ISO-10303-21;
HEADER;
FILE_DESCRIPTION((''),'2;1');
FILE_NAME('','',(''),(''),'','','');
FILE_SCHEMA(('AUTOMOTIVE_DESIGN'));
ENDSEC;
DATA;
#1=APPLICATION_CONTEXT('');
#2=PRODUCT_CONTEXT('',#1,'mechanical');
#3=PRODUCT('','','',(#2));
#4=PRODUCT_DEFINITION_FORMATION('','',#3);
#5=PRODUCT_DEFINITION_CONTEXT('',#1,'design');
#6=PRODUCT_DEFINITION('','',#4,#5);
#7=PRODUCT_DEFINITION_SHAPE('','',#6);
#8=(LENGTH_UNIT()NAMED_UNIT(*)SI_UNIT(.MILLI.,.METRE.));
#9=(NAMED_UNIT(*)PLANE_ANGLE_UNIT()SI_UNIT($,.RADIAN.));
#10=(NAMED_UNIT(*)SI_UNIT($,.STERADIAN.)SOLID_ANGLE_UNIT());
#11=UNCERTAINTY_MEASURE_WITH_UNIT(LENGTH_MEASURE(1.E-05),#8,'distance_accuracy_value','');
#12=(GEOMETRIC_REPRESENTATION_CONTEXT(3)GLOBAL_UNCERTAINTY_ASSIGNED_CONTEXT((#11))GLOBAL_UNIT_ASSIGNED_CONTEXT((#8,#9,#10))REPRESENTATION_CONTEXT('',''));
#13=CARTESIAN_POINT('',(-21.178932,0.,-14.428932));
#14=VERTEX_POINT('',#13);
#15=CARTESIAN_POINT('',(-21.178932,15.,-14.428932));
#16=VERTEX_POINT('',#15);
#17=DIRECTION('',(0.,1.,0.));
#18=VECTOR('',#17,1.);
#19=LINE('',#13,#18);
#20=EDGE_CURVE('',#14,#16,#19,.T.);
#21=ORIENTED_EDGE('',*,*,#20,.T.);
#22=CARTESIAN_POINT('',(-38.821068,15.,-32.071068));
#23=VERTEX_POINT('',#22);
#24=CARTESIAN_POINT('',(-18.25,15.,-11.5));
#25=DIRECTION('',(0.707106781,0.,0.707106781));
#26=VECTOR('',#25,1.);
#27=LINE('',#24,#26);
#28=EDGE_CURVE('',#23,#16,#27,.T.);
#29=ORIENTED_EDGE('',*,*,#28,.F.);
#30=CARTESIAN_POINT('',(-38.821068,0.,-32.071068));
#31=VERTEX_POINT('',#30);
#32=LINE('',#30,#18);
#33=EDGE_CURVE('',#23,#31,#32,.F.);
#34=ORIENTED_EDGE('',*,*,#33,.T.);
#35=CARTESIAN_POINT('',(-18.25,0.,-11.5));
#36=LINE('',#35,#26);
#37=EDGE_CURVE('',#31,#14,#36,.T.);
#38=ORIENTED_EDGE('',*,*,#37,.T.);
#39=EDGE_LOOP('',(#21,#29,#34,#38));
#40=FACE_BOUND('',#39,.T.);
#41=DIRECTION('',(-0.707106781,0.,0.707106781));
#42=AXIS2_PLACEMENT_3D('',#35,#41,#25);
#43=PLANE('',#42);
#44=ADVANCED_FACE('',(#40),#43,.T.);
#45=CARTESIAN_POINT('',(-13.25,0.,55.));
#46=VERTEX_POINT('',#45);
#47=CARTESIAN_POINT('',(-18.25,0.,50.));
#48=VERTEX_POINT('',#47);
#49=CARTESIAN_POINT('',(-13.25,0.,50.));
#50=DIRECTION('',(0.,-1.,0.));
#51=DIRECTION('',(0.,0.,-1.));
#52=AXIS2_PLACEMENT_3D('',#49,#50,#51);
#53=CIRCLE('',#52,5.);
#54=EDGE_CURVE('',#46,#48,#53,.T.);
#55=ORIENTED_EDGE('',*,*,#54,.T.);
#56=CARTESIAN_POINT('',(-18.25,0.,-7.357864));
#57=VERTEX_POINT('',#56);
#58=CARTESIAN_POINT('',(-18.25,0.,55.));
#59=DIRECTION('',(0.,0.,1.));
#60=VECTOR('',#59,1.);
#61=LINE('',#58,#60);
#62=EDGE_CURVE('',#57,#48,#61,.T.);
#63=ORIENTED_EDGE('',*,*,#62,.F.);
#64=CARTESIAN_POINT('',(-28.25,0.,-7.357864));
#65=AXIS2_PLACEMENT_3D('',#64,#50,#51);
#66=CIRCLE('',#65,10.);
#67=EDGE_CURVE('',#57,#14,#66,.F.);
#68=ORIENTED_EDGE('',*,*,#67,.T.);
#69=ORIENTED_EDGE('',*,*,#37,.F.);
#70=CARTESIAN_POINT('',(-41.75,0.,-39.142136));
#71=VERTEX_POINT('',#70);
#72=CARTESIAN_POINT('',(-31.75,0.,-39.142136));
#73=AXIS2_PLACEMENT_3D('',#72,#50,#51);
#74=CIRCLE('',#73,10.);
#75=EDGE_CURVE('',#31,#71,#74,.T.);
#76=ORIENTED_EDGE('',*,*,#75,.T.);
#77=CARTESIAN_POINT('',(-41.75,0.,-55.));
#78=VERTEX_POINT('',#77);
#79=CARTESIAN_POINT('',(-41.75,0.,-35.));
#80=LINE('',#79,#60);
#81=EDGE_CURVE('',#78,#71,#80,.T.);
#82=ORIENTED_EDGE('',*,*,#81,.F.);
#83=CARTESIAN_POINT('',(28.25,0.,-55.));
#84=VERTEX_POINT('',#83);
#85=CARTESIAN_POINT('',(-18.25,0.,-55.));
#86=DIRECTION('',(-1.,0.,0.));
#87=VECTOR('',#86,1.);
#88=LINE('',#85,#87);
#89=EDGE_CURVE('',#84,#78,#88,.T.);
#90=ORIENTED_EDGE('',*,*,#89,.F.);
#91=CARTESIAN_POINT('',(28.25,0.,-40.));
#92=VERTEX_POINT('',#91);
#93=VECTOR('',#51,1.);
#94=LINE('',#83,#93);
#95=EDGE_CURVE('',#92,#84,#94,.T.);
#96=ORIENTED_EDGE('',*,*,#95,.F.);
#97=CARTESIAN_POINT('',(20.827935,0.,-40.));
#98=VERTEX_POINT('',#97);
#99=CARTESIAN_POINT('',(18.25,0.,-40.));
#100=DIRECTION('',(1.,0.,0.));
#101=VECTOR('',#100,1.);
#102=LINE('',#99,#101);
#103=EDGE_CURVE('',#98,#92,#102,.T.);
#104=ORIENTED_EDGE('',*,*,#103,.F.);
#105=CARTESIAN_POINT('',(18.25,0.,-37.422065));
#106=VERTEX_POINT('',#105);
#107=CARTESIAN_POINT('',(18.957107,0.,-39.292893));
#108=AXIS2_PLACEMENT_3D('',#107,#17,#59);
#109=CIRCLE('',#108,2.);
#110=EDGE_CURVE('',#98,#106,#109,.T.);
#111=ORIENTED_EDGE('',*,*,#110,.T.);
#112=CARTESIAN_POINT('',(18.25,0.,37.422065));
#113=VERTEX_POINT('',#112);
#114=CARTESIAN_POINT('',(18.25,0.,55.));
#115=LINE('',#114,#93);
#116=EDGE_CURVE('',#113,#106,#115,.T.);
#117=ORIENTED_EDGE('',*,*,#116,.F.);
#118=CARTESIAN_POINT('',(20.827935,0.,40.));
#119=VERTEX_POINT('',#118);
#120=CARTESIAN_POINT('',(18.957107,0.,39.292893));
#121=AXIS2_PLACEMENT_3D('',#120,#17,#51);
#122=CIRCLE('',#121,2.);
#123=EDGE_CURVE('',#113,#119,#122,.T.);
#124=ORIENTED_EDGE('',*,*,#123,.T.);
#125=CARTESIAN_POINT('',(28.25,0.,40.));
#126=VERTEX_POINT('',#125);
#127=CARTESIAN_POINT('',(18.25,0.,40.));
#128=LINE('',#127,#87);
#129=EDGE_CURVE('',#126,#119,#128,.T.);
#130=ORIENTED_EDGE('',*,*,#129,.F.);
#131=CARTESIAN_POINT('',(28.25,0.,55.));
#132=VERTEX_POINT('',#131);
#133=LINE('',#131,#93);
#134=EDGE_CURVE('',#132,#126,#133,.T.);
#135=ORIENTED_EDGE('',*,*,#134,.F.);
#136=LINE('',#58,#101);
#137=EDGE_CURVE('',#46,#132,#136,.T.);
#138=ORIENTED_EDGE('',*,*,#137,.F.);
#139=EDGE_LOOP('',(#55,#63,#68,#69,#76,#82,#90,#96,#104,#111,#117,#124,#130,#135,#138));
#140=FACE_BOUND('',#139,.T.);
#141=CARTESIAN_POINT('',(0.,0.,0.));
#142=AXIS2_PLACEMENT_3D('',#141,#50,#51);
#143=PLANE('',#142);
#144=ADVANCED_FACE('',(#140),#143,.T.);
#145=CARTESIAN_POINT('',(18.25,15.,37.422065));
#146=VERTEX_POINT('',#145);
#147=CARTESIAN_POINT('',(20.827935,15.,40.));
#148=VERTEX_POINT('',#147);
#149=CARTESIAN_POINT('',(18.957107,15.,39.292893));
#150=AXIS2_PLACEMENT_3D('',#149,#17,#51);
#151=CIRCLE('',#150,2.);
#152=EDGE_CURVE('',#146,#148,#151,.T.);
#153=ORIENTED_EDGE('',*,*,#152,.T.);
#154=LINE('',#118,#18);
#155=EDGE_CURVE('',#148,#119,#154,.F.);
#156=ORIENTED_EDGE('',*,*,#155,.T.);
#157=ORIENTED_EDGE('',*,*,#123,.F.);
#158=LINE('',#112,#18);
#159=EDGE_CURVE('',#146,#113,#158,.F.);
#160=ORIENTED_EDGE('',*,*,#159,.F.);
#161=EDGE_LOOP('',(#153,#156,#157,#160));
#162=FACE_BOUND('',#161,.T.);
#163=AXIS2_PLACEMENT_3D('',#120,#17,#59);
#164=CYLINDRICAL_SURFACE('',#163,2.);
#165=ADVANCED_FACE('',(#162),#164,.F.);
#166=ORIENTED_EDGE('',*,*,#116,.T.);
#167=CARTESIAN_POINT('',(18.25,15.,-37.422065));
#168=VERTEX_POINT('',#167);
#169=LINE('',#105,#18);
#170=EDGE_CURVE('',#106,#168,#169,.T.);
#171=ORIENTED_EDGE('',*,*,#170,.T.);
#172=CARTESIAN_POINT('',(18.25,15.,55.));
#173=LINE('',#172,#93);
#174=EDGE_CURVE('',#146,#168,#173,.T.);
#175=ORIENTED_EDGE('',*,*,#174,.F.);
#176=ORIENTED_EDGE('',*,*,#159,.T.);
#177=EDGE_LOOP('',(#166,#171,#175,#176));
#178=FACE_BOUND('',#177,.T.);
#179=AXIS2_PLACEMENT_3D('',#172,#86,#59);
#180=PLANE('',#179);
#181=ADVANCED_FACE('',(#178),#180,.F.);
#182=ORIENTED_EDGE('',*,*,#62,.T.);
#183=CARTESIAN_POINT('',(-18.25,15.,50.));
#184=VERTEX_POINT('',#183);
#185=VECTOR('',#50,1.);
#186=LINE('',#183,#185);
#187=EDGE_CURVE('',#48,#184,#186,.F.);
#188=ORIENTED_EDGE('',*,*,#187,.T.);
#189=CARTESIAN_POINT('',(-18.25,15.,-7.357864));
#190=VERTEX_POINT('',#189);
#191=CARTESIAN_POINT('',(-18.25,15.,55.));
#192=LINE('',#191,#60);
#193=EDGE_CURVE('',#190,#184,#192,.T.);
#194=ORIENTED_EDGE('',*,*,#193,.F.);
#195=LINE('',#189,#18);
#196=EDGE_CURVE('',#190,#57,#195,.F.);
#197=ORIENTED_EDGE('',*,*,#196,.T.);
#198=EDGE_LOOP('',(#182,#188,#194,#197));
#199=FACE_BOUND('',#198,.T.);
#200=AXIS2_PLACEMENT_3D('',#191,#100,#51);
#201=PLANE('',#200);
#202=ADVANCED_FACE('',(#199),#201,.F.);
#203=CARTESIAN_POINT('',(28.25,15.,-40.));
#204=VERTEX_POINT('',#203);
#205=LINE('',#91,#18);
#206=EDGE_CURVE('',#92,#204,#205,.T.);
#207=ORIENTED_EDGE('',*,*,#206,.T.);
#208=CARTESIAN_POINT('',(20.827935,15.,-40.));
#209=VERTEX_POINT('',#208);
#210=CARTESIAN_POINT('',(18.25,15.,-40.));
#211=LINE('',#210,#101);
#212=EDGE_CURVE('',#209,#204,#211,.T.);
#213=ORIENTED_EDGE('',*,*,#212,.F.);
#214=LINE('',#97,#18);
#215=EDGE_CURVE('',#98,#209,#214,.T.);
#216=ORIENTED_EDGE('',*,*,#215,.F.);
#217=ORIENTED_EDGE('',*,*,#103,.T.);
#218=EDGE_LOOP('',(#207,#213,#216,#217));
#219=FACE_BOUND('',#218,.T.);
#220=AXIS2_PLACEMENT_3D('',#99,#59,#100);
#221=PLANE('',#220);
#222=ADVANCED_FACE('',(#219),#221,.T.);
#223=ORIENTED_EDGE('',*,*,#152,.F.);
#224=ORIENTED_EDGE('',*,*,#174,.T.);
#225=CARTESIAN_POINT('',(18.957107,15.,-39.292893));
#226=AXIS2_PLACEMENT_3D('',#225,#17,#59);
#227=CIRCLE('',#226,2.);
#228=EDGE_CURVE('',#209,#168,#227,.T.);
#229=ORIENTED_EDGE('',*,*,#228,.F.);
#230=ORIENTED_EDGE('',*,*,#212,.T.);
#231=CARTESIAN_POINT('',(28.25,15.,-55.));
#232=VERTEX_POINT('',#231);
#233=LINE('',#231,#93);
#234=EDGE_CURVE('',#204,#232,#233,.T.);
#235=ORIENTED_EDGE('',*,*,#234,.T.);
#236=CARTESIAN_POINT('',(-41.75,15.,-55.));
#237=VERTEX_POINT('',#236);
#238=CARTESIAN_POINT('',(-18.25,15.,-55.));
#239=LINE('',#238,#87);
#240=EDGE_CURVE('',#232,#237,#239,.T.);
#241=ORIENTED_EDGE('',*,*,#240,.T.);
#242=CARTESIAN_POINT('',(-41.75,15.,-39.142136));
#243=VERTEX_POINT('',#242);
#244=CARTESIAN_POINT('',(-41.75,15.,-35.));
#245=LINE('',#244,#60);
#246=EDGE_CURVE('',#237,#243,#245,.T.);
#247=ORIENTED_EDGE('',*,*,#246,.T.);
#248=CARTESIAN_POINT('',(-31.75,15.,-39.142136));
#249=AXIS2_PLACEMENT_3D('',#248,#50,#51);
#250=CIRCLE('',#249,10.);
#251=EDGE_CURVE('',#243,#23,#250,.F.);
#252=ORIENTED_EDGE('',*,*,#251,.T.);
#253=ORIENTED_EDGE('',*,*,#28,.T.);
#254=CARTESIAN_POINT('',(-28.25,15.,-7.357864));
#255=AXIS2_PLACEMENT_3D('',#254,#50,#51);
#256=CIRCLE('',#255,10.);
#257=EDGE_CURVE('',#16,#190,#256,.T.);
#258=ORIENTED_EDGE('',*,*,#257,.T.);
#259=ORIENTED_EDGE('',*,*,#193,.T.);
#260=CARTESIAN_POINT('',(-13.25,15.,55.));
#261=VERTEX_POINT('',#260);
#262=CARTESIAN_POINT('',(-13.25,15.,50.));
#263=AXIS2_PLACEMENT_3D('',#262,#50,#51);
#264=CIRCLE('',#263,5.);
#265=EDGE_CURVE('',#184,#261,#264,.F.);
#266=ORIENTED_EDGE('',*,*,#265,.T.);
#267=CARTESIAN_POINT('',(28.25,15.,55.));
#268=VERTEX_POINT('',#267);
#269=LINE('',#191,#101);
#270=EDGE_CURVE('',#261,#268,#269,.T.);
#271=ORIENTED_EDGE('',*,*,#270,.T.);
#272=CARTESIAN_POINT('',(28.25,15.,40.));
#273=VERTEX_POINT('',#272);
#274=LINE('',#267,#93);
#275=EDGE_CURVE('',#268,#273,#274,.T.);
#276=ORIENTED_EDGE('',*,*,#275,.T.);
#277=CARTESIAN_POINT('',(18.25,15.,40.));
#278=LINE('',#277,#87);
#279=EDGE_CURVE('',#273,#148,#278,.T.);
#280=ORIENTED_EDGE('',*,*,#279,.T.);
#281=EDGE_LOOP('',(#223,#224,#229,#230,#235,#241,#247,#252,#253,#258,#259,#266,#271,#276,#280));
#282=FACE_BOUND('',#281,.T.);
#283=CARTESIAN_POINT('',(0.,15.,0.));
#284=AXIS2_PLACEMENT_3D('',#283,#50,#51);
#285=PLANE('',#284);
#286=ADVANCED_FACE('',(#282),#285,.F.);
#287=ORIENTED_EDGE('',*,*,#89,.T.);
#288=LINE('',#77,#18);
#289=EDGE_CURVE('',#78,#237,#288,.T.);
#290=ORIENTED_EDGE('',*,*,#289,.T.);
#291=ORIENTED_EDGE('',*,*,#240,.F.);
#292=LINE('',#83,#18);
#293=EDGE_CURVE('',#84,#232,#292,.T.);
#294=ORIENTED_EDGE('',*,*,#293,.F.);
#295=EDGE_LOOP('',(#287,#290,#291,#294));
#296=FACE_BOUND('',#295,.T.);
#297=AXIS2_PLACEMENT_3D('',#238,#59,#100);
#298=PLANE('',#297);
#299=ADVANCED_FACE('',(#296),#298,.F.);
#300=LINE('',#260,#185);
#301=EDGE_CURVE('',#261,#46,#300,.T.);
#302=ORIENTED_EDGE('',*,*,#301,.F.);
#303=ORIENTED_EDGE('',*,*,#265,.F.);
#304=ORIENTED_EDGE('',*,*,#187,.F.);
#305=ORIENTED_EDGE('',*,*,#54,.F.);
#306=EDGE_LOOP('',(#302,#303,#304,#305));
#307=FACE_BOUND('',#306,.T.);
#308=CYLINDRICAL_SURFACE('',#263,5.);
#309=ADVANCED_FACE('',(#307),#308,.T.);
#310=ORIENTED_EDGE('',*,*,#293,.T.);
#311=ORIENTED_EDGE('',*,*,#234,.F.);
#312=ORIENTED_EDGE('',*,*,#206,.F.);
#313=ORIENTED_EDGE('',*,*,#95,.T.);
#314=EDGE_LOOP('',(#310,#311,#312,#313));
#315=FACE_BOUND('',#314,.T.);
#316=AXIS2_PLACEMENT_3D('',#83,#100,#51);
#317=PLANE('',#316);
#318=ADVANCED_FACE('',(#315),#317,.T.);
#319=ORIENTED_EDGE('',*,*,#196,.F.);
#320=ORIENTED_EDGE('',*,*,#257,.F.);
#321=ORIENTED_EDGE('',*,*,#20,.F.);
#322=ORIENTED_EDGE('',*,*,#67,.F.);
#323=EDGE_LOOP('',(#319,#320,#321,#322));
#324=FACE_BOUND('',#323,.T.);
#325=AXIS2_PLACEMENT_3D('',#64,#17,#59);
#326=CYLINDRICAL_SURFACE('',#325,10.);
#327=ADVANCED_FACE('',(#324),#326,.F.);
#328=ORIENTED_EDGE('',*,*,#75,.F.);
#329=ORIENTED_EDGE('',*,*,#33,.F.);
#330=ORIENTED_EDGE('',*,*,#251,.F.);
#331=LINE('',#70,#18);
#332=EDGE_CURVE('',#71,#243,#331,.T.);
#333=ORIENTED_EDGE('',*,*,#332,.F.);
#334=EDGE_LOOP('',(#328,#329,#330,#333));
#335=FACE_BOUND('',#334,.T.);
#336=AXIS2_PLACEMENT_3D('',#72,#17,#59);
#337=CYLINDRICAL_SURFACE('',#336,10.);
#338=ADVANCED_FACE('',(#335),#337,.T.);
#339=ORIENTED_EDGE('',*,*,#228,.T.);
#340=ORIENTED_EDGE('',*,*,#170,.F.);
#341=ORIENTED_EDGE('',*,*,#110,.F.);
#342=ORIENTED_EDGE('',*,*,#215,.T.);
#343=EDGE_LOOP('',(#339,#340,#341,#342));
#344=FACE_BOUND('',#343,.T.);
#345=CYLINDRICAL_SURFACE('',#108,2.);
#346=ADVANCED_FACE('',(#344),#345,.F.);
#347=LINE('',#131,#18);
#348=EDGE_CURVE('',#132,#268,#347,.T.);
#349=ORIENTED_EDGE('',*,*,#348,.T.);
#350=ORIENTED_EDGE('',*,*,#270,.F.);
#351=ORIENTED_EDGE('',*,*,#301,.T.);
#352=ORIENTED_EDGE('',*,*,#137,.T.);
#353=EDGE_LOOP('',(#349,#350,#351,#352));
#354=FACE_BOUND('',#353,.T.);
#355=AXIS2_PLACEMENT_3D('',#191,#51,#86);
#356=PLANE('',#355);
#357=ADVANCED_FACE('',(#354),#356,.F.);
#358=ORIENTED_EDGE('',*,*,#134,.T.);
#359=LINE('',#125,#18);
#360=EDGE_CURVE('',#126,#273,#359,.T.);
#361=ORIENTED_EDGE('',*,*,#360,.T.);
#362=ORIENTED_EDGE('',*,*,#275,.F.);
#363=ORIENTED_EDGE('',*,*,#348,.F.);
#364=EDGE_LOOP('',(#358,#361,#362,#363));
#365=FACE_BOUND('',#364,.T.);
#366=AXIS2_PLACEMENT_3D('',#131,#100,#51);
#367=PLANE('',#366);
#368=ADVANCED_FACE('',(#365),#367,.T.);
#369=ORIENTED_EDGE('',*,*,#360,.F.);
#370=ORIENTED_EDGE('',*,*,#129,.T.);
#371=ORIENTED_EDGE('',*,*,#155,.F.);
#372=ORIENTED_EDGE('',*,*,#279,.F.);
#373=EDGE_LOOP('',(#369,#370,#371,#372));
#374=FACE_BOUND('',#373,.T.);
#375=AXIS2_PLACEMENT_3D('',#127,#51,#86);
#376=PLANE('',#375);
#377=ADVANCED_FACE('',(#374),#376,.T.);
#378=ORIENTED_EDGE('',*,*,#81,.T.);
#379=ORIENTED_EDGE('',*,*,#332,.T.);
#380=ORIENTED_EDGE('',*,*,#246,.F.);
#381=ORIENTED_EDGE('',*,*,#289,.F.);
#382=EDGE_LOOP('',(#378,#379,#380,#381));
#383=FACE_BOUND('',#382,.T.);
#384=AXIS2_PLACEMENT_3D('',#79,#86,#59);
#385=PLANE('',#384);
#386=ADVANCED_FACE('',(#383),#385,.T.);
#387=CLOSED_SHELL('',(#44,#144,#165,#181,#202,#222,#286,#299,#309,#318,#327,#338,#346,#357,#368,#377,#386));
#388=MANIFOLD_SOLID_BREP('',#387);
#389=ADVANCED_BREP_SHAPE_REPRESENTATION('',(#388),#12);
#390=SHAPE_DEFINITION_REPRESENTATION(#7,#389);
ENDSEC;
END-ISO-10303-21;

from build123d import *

# Parameters (mm, degrees)
SKETCH1_W           = 36.5
SKETCH1_H           = 110
BOSS_EXTRUDE1_DEPTH = 15
BOSS_EXTRUDE2_DEPTH = 15
FILLET1_R           = 10
FILLET2_R           = 5
SKETCH3_W           = 10
SKETCH3_H           = 15
BOSS_EXTRUDE3_DEPTH = 15
SKETCH4_R           = 2
CUT_EXTRUDE1_DEPTH  = 71.661605558


with BuildPart() as part:
    # Sketch1 → Boss-Extrude1 (new body)
    with BuildSketch(Plane(origin=(0, 0, 0), x_dir=(1, 0, 0), z_dir=(0, 1, 0))):
        Rectangle(SKETCH1_W, SKETCH1_H)
    extrude(amount=BOSS_EXTRUDE1_DEPTH)

    # Sketch2 → Boss-Extrude2 (add)
    with BuildSketch(Plane(origin=(0, 15, 0), x_dir=(1, 0, 0), z_dir=(0, 1, 0))):
        Polygon((-18.25, 11.5), (-41.75, 35), (-41.75, 55), (-18.25, 55), align=None)
    extrude(amount=-BOSS_EXTRUDE2_DEPTH)

    # Fillet1
    fillet1_edges = [part.edges().sort_by_distance(p)[0] for p in [
        (-18.25, 7.5, -11.5),
        (-41.75, 7.5, -35),
    ]]
    fillet(fillet1_edges, radius=FILLET1_R)

    # Fillet2
    fillet2_edges = [part.edges().sort_by_distance(p)[0] for p in [
        (-18.25, 7.5, 55),
    ]]
    fillet(fillet2_edges, radius=FILLET2_R)

    # Sketch3 → Boss-Extrude3 (add)
    with BuildSketch(Plane(origin=(0, 15, 0), x_dir=(1, 0, 0), z_dir=(0, 1, 0))):
        with Locations((23.25, -47.5)):
            Rectangle(SKETCH3_W, SKETCH3_H)
        with Locations((23.25, 47.5)):
            Rectangle(SKETCH3_W, SKETCH3_H)
    extrude(amount=-BOSS_EXTRUDE3_DEPTH)

    # Sketch4 → Cut-Extrude1 (cut, through all)
    with BuildSketch(Plane(origin=(0, 15, 0), x_dir=(1, 0, 0), z_dir=(0, 1, 0))):
        with Locations((18.957106781, 39.292893219)):
            Circle(SKETCH4_R)
        with Locations((18.957106781, -39.292893219)):
            Circle(SKETCH4_R)
    extrude(amount=-CUT_EXTRUDE1_DEPTH, mode=Mode.SUBTRACT)


solid = part.part
